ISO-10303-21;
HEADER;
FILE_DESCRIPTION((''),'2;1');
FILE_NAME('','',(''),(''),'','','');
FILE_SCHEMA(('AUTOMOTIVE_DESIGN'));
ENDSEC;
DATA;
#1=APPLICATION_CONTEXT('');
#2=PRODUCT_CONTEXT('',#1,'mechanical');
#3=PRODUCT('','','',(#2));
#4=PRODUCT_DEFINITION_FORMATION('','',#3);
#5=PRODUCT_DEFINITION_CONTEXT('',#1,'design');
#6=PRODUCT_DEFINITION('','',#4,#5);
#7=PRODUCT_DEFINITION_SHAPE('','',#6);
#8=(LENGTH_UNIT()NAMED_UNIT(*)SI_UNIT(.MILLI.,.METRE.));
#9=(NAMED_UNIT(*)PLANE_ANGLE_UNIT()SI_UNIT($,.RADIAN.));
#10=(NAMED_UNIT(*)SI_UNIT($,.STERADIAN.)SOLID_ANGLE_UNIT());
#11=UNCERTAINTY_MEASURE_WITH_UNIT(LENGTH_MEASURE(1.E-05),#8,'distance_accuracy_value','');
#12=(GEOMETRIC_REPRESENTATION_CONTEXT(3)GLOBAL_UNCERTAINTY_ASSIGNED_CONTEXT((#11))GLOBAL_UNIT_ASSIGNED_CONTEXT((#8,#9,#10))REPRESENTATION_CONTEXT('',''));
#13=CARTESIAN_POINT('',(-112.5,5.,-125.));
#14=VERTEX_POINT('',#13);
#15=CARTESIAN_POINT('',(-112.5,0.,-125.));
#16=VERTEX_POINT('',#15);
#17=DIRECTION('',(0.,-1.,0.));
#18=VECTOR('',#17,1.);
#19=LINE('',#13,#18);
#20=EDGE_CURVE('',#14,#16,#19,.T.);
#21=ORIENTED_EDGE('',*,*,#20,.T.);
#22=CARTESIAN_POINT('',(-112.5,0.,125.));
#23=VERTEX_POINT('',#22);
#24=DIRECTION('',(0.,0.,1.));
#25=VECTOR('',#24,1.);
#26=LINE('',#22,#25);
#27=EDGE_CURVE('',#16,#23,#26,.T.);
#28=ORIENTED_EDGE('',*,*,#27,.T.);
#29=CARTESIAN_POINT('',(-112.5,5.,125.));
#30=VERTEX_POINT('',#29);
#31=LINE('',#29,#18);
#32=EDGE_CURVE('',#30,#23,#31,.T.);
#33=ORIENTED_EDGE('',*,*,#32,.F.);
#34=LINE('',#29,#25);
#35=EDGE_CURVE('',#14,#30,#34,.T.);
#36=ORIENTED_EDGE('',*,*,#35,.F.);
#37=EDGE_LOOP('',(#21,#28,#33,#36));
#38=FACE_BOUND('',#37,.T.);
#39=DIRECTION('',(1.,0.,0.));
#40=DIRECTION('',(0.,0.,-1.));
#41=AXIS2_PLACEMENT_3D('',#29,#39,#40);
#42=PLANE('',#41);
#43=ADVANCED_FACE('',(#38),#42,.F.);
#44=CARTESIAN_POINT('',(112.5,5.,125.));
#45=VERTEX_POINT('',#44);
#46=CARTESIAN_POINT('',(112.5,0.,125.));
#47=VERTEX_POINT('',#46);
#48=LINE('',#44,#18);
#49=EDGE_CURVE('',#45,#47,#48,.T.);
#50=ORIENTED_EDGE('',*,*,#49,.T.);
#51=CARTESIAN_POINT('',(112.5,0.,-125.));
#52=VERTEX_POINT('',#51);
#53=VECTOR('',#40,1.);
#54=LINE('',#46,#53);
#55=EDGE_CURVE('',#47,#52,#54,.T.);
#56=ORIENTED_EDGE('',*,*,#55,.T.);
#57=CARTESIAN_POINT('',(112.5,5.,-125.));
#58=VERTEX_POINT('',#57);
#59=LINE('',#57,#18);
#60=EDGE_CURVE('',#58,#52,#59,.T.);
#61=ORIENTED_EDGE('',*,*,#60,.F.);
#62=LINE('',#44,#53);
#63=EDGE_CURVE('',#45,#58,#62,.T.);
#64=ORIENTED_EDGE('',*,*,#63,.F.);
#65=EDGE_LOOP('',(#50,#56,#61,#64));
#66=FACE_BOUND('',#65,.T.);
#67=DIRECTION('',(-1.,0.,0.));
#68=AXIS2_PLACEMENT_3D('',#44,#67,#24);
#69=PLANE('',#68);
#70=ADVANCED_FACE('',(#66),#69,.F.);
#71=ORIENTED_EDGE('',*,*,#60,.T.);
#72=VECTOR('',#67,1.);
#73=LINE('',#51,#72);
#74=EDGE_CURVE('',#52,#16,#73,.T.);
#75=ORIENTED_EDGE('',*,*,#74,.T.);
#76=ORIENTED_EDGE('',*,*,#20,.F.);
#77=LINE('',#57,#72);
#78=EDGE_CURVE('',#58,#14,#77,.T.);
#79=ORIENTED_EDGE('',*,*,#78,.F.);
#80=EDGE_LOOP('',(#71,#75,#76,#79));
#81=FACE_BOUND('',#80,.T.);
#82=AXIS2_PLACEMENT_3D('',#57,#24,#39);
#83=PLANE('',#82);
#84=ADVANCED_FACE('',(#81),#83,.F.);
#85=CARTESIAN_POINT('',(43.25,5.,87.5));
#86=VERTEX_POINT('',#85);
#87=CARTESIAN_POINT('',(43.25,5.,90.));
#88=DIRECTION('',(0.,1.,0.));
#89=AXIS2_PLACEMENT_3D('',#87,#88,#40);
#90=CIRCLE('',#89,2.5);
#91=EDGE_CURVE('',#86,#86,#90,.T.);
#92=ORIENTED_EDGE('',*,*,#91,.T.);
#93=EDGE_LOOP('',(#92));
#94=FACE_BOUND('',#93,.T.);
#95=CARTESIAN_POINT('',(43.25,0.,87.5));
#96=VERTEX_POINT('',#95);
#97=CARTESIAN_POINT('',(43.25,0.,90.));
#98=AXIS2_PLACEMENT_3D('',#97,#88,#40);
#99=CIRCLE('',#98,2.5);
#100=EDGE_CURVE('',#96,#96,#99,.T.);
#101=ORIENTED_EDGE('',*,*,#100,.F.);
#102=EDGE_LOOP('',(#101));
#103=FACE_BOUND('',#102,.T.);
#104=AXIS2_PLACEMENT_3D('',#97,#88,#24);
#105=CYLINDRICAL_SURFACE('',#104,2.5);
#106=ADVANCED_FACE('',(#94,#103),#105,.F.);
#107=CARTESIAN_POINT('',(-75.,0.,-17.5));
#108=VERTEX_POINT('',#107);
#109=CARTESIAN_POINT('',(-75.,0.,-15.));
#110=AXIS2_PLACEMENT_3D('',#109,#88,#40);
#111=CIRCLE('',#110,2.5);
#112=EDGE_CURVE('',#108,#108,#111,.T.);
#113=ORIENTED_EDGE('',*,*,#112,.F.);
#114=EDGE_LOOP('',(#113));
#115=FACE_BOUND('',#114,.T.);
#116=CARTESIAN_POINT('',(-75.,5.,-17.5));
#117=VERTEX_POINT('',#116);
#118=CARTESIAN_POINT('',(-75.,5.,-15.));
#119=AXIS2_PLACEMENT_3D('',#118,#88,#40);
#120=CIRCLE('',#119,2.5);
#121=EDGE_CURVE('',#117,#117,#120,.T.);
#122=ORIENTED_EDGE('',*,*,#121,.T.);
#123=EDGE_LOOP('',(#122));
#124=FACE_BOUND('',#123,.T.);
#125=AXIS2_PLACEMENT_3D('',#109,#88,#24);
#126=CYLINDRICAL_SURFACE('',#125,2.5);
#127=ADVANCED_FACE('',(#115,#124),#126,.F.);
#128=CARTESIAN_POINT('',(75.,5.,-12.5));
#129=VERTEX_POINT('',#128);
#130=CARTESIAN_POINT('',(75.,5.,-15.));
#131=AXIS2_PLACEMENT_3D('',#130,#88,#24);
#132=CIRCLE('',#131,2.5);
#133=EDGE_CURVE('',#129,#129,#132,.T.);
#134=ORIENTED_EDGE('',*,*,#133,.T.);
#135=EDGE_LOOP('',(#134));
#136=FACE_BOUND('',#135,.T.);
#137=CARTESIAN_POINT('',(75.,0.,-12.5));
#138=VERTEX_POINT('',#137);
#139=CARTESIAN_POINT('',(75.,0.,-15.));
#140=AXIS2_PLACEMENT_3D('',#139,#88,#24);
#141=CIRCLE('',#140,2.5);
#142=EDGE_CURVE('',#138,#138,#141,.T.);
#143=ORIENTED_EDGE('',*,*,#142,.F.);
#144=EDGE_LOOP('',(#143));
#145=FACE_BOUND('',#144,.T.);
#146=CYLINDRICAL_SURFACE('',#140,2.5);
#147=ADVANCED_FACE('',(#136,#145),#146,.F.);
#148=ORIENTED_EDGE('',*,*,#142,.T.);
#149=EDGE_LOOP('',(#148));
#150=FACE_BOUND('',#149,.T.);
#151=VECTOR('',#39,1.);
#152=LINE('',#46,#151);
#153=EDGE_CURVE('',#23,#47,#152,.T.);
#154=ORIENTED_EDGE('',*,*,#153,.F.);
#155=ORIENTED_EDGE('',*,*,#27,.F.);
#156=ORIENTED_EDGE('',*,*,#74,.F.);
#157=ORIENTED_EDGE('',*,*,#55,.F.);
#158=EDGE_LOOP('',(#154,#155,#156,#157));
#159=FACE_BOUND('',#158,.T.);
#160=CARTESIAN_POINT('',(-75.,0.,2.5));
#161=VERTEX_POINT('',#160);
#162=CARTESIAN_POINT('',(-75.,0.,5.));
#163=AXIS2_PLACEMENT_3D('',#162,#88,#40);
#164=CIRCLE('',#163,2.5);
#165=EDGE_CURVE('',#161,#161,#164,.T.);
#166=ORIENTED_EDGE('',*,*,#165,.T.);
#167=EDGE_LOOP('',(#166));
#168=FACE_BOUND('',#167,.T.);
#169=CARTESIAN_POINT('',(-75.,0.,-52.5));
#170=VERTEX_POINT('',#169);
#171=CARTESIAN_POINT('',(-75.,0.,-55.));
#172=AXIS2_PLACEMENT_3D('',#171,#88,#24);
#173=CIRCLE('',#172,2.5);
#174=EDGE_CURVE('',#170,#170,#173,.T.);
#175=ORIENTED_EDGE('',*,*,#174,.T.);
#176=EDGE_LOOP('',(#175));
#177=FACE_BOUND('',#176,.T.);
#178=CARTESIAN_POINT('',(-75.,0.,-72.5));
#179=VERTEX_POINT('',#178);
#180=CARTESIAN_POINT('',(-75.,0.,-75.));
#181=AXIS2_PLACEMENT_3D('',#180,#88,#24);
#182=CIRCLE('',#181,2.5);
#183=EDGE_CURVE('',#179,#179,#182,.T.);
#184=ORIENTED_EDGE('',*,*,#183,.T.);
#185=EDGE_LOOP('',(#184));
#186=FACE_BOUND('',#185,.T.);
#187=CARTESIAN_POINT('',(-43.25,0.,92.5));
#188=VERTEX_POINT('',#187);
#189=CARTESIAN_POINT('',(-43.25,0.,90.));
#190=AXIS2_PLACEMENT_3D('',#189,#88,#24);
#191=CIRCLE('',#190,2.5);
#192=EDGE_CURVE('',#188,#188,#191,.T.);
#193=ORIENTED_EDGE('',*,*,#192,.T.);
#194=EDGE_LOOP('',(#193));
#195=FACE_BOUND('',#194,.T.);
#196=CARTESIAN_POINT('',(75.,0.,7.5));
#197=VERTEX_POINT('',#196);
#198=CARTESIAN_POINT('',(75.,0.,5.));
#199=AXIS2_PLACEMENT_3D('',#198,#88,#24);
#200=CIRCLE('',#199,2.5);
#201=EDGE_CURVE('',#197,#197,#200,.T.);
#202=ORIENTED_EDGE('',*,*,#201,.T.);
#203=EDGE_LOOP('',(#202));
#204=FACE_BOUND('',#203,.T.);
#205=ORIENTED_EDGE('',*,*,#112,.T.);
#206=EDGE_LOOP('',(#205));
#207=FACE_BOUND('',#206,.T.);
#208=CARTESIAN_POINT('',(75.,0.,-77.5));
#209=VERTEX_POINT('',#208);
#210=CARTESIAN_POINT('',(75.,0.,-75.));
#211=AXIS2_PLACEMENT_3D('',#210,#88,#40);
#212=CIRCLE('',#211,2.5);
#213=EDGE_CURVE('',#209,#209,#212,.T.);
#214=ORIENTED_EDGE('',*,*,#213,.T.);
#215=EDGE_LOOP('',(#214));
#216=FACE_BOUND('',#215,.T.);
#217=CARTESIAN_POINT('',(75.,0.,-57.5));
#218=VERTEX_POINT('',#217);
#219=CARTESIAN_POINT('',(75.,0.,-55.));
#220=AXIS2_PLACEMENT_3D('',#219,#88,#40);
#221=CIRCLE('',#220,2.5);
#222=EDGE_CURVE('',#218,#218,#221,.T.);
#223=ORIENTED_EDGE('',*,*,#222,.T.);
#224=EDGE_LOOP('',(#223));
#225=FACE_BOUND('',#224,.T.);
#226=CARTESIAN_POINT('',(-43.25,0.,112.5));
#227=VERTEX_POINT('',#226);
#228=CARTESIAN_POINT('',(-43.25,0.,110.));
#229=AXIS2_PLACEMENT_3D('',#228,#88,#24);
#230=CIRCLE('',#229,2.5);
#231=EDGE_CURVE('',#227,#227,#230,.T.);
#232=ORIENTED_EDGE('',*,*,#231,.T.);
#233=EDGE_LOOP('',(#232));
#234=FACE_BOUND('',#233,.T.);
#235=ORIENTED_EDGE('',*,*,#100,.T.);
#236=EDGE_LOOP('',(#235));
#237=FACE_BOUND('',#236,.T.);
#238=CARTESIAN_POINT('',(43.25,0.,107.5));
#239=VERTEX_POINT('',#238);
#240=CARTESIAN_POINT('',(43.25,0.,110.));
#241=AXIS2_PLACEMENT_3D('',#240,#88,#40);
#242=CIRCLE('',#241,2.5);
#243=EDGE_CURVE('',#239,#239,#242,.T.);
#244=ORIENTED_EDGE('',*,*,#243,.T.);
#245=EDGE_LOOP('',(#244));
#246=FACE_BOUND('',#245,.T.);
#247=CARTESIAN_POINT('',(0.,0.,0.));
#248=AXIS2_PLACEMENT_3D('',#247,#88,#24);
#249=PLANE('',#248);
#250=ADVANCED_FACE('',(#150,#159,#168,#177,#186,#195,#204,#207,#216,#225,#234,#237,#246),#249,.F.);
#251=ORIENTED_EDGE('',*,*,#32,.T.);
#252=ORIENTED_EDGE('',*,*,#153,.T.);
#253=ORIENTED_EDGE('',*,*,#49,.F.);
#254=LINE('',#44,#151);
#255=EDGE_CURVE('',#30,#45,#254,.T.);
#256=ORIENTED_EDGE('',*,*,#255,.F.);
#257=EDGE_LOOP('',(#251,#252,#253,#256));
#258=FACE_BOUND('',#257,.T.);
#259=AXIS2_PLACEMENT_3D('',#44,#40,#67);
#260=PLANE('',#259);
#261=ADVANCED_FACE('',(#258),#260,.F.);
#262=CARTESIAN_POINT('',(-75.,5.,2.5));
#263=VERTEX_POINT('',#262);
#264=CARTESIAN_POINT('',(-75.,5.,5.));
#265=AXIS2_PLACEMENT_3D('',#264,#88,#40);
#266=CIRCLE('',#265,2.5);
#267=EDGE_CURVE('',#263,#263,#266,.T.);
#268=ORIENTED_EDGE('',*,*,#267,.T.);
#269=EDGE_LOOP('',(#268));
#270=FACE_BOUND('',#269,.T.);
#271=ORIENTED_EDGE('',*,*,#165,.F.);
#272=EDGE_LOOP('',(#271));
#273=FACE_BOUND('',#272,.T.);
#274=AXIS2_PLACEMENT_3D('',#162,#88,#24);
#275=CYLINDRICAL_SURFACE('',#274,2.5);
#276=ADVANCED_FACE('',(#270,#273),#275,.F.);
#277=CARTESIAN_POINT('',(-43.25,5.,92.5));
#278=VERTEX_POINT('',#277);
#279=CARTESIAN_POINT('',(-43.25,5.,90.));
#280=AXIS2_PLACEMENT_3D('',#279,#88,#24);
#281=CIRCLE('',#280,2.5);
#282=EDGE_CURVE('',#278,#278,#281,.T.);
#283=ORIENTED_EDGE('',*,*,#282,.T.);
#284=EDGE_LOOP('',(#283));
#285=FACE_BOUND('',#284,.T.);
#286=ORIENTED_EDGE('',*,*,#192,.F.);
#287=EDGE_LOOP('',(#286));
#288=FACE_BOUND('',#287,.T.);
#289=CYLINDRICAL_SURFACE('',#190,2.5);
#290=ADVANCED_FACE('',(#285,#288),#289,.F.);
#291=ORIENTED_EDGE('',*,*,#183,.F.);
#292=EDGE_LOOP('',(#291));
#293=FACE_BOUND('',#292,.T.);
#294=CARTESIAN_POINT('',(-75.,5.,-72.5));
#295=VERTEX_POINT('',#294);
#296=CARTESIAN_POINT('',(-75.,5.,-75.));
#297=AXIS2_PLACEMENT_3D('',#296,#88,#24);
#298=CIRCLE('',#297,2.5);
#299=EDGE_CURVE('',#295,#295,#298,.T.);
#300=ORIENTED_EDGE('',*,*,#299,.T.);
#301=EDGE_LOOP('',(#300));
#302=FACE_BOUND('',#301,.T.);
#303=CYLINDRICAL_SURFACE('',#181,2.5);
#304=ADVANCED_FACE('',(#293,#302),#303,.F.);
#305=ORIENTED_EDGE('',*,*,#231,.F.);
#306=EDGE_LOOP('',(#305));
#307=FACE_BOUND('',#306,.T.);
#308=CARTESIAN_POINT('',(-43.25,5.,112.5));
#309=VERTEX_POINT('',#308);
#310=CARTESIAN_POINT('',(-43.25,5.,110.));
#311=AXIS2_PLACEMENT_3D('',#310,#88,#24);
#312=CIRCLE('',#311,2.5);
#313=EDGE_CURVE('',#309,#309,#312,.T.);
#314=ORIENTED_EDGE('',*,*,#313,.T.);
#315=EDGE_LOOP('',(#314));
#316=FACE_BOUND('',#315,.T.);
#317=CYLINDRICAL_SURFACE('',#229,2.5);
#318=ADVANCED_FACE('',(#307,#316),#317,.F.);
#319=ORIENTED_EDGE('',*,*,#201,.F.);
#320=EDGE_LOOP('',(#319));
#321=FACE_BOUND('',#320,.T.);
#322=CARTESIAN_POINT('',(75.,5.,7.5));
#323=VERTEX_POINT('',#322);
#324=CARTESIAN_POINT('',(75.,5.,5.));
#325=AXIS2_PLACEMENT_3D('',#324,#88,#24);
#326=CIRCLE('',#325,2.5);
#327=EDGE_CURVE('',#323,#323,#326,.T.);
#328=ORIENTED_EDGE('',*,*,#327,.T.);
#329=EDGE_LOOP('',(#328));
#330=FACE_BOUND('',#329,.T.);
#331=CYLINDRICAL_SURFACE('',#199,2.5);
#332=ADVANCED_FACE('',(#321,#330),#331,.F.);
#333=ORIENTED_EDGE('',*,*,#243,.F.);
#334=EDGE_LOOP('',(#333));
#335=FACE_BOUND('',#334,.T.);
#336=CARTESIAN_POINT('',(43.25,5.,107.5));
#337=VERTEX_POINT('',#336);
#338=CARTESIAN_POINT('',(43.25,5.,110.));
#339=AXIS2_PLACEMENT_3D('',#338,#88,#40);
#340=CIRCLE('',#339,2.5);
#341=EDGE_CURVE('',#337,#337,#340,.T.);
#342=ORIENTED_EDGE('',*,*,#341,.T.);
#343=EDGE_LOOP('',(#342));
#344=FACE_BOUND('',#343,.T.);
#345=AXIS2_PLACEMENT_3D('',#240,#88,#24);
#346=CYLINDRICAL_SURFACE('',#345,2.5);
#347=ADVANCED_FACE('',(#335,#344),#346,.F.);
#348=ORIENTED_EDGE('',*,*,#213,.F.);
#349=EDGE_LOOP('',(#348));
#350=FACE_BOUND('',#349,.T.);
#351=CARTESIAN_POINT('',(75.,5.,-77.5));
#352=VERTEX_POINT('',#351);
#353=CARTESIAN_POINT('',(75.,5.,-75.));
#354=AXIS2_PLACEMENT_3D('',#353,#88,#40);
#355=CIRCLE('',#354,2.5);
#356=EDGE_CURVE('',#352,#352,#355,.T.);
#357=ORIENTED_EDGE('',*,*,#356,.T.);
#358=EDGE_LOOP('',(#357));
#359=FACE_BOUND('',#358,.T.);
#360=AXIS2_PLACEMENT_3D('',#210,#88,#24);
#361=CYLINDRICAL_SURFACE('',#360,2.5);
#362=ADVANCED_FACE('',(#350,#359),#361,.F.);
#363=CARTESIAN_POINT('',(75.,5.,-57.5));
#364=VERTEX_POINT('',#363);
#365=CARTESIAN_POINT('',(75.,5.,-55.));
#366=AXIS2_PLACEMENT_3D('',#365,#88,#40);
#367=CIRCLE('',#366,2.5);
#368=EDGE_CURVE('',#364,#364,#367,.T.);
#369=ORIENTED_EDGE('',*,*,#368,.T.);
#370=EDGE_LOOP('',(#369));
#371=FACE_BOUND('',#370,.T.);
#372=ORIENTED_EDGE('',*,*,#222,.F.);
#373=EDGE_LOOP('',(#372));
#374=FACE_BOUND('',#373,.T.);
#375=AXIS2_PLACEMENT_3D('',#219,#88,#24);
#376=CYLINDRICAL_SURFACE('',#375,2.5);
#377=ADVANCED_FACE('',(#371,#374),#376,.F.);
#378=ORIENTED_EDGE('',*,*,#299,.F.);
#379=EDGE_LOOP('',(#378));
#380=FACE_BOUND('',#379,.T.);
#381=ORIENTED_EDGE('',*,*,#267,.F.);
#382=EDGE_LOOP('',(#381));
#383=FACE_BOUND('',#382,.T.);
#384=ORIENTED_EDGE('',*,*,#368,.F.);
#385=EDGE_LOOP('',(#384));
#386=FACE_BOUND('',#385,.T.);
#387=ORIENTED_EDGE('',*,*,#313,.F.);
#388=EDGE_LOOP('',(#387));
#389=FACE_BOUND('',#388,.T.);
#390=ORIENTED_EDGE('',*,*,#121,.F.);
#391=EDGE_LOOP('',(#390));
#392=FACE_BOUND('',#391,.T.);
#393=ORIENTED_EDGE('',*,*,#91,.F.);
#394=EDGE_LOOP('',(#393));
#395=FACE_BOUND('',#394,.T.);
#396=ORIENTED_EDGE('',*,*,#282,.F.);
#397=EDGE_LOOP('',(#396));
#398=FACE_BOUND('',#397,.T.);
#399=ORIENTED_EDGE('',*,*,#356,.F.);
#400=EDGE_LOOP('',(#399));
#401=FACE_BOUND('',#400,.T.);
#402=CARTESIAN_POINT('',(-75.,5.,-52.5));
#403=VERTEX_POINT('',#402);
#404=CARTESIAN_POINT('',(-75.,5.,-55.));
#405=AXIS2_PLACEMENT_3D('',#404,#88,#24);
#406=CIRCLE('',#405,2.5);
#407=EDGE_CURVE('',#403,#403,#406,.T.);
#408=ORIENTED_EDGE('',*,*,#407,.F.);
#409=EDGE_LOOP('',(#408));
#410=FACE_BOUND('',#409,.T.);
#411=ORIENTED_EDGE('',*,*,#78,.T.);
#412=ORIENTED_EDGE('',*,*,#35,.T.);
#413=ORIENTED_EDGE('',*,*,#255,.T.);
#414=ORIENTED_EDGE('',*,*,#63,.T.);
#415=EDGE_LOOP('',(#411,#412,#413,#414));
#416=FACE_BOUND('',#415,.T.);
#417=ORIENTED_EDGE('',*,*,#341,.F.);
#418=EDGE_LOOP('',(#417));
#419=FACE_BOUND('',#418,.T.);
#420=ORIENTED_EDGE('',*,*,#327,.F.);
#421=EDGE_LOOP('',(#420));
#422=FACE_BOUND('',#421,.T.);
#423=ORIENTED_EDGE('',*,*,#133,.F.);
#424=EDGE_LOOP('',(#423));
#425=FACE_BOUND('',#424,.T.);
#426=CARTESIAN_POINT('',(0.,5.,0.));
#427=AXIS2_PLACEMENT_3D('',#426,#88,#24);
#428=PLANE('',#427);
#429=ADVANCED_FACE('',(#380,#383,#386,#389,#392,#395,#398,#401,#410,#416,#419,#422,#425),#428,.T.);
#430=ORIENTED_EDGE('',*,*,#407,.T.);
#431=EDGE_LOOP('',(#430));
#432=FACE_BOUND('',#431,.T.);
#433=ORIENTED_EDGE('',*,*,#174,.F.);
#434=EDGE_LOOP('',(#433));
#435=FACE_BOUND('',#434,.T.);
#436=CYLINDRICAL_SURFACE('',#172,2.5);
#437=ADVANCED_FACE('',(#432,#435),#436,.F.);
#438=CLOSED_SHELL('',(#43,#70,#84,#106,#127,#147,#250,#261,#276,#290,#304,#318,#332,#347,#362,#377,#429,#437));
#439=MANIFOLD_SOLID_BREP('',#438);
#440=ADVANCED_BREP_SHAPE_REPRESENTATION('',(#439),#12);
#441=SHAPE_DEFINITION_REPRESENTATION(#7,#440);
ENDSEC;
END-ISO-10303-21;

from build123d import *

# Parameters (mm, degrees)
SKETCH1_W            = 225
SKETCH1_H            = 250
BODY_DEPTH           = 5
SKETCH2_R            = 2.5
FIXATION_HOLES_DEPTH = 169.244613584
SKETCH3_R            = 2.5
HOLES_DEPTH          = 169.244613584


with BuildPart() as part:
    # Sketch1 → Body (new body)
    with BuildSketch(Plane(origin=(0, 0, 0), x_dir=(1, 0, 0), z_dir=(0, 1, 0))):
        Rectangle(SKETCH1_W, SKETCH1_H)
    extrude(amount=BODY_DEPTH)

    # Sketch2 → Fixation_Holes (cut, through all)
    with BuildSketch(Plane(origin=(0, 5, 0), x_dir=(1, 0, 0), z_dir=(0, 1, 0))):
        with Locations(Location((-75, 75, 0), (0, 0, 270))):
            Circle(SKETCH2_R)
        with Locations(Location((-75, 55, 0), (0, 0, 270))):
            Circle(SKETCH2_R)
        with Locations(Location((75, 55, 0), (0, 0, 90))):
            Circle(SKETCH2_R)
        with Locations(Location((75, 75, 0), (0, 0, 90))):
            Circle(SKETCH2_R)
        with Locations(Location((75, -5, 0), (0, 0, 270))):
            Circle(SKETCH2_R)
        with Locations(Location((75, 15, 0), (0, 0, 270))):
            Circle(SKETCH2_R)
        with Locations(Location((-75, -5, 0), (0, 0, 90))):
            Circle(SKETCH2_R)
        with Locations(Location((-75, 15, 0), (0, 0, 90))):
            Circle(SKETCH2_R)
    extrude(amount=-FIXATION_HOLES_DEPTH, mode=Mode.SUBTRACT)

    # Sketch3 → Holes (cut, through all)
    with BuildSketch(Plane(origin=(0, 5, 0), x_dir=(1, 0, 0), z_dir=(0, 1, 0))):
        with Locations(Location((-43.25, -90, 0), (0, 0, 270))):
            Circle(SKETCH3_R)
        with Locations(Location((-43.25, -110, 0), (0, 0, 270))):
            Circle(SKETCH3_R)
        with Locations(Location((43.25, -90, 0), (0, 0, 90))):
            Circle(SKETCH3_R)
        with Locations(Location((43.25, -110, 0), (0, 0, 90))):
            Circle(SKETCH3_R)
    extrude(amount=-HOLES_DEPTH, mode=Mode.SUBTRACT)


solid = part.part
